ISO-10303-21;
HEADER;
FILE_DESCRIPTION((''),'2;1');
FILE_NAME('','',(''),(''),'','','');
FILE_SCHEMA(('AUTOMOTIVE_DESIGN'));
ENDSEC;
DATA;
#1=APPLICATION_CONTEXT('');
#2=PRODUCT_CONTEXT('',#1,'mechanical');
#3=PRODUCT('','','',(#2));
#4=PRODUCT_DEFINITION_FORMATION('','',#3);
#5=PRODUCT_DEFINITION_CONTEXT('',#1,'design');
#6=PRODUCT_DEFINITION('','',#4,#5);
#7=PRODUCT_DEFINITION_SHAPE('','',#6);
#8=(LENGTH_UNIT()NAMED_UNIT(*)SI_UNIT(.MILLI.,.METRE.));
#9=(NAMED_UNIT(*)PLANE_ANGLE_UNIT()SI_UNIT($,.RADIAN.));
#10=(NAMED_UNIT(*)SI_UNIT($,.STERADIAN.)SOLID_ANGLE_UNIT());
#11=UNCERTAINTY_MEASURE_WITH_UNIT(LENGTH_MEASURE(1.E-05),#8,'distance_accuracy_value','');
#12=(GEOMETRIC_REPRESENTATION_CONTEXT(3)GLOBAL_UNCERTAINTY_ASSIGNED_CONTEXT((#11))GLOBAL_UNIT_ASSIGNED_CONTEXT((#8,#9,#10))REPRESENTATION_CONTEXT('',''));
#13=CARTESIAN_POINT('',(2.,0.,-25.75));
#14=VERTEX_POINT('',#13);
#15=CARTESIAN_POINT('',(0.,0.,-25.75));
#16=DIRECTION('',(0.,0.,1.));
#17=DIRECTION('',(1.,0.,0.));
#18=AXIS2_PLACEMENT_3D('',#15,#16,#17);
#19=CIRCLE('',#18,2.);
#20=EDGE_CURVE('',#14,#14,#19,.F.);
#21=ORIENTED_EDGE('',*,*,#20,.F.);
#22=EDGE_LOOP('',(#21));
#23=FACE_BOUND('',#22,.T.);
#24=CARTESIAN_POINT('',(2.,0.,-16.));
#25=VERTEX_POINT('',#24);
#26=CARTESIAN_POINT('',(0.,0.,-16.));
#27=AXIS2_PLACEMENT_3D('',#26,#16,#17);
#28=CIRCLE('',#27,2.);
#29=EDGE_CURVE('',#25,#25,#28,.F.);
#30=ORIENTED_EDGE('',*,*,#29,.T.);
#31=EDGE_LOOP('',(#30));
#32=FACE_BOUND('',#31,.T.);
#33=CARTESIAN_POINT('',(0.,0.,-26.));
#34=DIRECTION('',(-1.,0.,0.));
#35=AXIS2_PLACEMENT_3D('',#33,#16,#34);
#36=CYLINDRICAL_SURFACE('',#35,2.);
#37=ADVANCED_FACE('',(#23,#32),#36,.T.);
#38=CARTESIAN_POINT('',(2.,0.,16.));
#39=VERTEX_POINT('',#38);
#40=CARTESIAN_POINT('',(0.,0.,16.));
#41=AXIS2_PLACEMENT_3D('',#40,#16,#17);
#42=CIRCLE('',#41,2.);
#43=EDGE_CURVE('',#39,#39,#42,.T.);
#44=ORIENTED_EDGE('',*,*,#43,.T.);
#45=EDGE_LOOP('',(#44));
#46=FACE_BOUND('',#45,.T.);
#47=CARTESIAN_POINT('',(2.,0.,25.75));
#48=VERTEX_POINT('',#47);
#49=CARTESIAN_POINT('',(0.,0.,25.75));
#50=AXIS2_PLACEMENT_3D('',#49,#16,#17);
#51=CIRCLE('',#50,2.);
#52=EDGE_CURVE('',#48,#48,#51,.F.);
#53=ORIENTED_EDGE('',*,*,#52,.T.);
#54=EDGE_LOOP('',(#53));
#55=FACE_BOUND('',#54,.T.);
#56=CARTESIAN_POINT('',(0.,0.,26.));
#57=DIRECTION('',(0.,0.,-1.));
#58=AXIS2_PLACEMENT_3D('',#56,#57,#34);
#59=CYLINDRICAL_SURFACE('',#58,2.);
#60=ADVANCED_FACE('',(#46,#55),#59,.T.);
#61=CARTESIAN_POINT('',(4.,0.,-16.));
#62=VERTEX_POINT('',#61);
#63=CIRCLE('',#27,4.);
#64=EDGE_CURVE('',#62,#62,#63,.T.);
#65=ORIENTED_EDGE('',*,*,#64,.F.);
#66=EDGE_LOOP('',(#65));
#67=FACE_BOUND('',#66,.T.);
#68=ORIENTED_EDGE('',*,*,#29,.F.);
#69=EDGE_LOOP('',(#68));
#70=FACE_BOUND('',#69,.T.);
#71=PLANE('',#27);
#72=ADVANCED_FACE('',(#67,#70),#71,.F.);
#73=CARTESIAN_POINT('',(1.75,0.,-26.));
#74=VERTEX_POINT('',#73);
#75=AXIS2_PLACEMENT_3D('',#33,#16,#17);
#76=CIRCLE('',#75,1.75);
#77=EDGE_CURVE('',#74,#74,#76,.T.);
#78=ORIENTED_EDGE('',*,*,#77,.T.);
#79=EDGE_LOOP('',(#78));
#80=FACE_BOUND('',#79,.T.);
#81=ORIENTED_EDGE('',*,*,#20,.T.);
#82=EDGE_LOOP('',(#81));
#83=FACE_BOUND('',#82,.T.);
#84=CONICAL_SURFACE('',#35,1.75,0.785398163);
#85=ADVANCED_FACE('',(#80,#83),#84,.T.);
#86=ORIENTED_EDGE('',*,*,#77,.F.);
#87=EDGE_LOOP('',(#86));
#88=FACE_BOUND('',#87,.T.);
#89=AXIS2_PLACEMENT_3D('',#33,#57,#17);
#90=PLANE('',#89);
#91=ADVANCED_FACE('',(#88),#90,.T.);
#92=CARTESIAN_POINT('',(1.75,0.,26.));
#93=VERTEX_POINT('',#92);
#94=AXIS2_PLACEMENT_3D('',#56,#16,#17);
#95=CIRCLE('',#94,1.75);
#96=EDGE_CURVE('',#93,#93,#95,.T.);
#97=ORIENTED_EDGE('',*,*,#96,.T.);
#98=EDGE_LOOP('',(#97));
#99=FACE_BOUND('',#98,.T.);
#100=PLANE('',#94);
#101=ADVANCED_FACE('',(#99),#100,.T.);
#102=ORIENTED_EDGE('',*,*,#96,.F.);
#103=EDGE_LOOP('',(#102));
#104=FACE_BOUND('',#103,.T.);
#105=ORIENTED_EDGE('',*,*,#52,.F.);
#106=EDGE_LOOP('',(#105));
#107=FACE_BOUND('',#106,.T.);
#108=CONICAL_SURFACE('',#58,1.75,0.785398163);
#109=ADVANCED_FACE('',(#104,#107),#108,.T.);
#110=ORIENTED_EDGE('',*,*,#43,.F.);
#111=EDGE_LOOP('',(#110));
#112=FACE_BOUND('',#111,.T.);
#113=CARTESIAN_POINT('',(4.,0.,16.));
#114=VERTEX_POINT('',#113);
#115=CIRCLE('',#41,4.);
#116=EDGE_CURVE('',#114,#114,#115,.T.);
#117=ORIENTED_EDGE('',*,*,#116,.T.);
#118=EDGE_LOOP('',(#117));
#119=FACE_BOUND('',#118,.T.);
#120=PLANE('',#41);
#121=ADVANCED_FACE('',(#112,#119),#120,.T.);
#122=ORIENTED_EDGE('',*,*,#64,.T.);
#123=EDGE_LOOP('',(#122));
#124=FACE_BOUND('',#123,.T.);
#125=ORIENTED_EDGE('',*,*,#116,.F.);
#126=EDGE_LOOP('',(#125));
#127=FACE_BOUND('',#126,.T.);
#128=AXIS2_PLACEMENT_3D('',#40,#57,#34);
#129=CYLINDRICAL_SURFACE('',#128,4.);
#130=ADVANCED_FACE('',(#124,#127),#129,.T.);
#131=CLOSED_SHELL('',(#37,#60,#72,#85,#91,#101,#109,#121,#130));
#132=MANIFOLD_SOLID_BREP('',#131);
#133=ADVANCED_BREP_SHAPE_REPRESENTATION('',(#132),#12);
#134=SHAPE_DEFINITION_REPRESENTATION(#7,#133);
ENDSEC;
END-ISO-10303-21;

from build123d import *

# Parameters (mm, degrees)
ESQUISSE1_R                  = 4
BOSS_EXTRU_1_DEPTH           = 16
ESQUISSE2_R                  = 2
BOSS_EXTRU_2_DEPTH           = 10
CHANFREIN1_SIZE              = 0.25
CHANFREIN1_OF_SYM_TRIE1_SIZE = 0.25


with BuildPart() as part:
    # Esquisse1 → Boss.-Extru.1 (new body, symmetric)
    with BuildSketch(Plane.XY):
        Circle(ESQUISSE1_R)
    extrude(amount=BOSS_EXTRU_1_DEPTH, both=True)

    # Esquisse2 → Boss.-Extru.2 (add)
    with BuildSketch(Plane.XY.offset(16)):
        Circle(ESQUISSE2_R)
    boss_extru_2 = extrude(amount=BOSS_EXTRU_2_DEPTH)

    # Chanfrein1
    chanfrein1_edges = [part.edges().sort_by_distance(p)[0] for p in [
        (-2, 0, 26),
    ]]
    chamfer(chanfrein1_edges, length=CHANFREIN1_SIZE)

    # Symétrie1: Boss.-Extru.2 across plane
    add(boss_extru_2.mirror(Plane.XY))

    # Chanfrein1 of Symétrie1
    chanfrein1_of_sym_trie1_edges = [part.edges().sort_by_distance(p)[0] for p in [
        (-2, 0, -26),
    ]]
    chamfer(chanfrein1_of_sym_trie1_edges, length=CHANFREIN1_OF_SYM_TRIE1_SIZE)


solid = part.part
